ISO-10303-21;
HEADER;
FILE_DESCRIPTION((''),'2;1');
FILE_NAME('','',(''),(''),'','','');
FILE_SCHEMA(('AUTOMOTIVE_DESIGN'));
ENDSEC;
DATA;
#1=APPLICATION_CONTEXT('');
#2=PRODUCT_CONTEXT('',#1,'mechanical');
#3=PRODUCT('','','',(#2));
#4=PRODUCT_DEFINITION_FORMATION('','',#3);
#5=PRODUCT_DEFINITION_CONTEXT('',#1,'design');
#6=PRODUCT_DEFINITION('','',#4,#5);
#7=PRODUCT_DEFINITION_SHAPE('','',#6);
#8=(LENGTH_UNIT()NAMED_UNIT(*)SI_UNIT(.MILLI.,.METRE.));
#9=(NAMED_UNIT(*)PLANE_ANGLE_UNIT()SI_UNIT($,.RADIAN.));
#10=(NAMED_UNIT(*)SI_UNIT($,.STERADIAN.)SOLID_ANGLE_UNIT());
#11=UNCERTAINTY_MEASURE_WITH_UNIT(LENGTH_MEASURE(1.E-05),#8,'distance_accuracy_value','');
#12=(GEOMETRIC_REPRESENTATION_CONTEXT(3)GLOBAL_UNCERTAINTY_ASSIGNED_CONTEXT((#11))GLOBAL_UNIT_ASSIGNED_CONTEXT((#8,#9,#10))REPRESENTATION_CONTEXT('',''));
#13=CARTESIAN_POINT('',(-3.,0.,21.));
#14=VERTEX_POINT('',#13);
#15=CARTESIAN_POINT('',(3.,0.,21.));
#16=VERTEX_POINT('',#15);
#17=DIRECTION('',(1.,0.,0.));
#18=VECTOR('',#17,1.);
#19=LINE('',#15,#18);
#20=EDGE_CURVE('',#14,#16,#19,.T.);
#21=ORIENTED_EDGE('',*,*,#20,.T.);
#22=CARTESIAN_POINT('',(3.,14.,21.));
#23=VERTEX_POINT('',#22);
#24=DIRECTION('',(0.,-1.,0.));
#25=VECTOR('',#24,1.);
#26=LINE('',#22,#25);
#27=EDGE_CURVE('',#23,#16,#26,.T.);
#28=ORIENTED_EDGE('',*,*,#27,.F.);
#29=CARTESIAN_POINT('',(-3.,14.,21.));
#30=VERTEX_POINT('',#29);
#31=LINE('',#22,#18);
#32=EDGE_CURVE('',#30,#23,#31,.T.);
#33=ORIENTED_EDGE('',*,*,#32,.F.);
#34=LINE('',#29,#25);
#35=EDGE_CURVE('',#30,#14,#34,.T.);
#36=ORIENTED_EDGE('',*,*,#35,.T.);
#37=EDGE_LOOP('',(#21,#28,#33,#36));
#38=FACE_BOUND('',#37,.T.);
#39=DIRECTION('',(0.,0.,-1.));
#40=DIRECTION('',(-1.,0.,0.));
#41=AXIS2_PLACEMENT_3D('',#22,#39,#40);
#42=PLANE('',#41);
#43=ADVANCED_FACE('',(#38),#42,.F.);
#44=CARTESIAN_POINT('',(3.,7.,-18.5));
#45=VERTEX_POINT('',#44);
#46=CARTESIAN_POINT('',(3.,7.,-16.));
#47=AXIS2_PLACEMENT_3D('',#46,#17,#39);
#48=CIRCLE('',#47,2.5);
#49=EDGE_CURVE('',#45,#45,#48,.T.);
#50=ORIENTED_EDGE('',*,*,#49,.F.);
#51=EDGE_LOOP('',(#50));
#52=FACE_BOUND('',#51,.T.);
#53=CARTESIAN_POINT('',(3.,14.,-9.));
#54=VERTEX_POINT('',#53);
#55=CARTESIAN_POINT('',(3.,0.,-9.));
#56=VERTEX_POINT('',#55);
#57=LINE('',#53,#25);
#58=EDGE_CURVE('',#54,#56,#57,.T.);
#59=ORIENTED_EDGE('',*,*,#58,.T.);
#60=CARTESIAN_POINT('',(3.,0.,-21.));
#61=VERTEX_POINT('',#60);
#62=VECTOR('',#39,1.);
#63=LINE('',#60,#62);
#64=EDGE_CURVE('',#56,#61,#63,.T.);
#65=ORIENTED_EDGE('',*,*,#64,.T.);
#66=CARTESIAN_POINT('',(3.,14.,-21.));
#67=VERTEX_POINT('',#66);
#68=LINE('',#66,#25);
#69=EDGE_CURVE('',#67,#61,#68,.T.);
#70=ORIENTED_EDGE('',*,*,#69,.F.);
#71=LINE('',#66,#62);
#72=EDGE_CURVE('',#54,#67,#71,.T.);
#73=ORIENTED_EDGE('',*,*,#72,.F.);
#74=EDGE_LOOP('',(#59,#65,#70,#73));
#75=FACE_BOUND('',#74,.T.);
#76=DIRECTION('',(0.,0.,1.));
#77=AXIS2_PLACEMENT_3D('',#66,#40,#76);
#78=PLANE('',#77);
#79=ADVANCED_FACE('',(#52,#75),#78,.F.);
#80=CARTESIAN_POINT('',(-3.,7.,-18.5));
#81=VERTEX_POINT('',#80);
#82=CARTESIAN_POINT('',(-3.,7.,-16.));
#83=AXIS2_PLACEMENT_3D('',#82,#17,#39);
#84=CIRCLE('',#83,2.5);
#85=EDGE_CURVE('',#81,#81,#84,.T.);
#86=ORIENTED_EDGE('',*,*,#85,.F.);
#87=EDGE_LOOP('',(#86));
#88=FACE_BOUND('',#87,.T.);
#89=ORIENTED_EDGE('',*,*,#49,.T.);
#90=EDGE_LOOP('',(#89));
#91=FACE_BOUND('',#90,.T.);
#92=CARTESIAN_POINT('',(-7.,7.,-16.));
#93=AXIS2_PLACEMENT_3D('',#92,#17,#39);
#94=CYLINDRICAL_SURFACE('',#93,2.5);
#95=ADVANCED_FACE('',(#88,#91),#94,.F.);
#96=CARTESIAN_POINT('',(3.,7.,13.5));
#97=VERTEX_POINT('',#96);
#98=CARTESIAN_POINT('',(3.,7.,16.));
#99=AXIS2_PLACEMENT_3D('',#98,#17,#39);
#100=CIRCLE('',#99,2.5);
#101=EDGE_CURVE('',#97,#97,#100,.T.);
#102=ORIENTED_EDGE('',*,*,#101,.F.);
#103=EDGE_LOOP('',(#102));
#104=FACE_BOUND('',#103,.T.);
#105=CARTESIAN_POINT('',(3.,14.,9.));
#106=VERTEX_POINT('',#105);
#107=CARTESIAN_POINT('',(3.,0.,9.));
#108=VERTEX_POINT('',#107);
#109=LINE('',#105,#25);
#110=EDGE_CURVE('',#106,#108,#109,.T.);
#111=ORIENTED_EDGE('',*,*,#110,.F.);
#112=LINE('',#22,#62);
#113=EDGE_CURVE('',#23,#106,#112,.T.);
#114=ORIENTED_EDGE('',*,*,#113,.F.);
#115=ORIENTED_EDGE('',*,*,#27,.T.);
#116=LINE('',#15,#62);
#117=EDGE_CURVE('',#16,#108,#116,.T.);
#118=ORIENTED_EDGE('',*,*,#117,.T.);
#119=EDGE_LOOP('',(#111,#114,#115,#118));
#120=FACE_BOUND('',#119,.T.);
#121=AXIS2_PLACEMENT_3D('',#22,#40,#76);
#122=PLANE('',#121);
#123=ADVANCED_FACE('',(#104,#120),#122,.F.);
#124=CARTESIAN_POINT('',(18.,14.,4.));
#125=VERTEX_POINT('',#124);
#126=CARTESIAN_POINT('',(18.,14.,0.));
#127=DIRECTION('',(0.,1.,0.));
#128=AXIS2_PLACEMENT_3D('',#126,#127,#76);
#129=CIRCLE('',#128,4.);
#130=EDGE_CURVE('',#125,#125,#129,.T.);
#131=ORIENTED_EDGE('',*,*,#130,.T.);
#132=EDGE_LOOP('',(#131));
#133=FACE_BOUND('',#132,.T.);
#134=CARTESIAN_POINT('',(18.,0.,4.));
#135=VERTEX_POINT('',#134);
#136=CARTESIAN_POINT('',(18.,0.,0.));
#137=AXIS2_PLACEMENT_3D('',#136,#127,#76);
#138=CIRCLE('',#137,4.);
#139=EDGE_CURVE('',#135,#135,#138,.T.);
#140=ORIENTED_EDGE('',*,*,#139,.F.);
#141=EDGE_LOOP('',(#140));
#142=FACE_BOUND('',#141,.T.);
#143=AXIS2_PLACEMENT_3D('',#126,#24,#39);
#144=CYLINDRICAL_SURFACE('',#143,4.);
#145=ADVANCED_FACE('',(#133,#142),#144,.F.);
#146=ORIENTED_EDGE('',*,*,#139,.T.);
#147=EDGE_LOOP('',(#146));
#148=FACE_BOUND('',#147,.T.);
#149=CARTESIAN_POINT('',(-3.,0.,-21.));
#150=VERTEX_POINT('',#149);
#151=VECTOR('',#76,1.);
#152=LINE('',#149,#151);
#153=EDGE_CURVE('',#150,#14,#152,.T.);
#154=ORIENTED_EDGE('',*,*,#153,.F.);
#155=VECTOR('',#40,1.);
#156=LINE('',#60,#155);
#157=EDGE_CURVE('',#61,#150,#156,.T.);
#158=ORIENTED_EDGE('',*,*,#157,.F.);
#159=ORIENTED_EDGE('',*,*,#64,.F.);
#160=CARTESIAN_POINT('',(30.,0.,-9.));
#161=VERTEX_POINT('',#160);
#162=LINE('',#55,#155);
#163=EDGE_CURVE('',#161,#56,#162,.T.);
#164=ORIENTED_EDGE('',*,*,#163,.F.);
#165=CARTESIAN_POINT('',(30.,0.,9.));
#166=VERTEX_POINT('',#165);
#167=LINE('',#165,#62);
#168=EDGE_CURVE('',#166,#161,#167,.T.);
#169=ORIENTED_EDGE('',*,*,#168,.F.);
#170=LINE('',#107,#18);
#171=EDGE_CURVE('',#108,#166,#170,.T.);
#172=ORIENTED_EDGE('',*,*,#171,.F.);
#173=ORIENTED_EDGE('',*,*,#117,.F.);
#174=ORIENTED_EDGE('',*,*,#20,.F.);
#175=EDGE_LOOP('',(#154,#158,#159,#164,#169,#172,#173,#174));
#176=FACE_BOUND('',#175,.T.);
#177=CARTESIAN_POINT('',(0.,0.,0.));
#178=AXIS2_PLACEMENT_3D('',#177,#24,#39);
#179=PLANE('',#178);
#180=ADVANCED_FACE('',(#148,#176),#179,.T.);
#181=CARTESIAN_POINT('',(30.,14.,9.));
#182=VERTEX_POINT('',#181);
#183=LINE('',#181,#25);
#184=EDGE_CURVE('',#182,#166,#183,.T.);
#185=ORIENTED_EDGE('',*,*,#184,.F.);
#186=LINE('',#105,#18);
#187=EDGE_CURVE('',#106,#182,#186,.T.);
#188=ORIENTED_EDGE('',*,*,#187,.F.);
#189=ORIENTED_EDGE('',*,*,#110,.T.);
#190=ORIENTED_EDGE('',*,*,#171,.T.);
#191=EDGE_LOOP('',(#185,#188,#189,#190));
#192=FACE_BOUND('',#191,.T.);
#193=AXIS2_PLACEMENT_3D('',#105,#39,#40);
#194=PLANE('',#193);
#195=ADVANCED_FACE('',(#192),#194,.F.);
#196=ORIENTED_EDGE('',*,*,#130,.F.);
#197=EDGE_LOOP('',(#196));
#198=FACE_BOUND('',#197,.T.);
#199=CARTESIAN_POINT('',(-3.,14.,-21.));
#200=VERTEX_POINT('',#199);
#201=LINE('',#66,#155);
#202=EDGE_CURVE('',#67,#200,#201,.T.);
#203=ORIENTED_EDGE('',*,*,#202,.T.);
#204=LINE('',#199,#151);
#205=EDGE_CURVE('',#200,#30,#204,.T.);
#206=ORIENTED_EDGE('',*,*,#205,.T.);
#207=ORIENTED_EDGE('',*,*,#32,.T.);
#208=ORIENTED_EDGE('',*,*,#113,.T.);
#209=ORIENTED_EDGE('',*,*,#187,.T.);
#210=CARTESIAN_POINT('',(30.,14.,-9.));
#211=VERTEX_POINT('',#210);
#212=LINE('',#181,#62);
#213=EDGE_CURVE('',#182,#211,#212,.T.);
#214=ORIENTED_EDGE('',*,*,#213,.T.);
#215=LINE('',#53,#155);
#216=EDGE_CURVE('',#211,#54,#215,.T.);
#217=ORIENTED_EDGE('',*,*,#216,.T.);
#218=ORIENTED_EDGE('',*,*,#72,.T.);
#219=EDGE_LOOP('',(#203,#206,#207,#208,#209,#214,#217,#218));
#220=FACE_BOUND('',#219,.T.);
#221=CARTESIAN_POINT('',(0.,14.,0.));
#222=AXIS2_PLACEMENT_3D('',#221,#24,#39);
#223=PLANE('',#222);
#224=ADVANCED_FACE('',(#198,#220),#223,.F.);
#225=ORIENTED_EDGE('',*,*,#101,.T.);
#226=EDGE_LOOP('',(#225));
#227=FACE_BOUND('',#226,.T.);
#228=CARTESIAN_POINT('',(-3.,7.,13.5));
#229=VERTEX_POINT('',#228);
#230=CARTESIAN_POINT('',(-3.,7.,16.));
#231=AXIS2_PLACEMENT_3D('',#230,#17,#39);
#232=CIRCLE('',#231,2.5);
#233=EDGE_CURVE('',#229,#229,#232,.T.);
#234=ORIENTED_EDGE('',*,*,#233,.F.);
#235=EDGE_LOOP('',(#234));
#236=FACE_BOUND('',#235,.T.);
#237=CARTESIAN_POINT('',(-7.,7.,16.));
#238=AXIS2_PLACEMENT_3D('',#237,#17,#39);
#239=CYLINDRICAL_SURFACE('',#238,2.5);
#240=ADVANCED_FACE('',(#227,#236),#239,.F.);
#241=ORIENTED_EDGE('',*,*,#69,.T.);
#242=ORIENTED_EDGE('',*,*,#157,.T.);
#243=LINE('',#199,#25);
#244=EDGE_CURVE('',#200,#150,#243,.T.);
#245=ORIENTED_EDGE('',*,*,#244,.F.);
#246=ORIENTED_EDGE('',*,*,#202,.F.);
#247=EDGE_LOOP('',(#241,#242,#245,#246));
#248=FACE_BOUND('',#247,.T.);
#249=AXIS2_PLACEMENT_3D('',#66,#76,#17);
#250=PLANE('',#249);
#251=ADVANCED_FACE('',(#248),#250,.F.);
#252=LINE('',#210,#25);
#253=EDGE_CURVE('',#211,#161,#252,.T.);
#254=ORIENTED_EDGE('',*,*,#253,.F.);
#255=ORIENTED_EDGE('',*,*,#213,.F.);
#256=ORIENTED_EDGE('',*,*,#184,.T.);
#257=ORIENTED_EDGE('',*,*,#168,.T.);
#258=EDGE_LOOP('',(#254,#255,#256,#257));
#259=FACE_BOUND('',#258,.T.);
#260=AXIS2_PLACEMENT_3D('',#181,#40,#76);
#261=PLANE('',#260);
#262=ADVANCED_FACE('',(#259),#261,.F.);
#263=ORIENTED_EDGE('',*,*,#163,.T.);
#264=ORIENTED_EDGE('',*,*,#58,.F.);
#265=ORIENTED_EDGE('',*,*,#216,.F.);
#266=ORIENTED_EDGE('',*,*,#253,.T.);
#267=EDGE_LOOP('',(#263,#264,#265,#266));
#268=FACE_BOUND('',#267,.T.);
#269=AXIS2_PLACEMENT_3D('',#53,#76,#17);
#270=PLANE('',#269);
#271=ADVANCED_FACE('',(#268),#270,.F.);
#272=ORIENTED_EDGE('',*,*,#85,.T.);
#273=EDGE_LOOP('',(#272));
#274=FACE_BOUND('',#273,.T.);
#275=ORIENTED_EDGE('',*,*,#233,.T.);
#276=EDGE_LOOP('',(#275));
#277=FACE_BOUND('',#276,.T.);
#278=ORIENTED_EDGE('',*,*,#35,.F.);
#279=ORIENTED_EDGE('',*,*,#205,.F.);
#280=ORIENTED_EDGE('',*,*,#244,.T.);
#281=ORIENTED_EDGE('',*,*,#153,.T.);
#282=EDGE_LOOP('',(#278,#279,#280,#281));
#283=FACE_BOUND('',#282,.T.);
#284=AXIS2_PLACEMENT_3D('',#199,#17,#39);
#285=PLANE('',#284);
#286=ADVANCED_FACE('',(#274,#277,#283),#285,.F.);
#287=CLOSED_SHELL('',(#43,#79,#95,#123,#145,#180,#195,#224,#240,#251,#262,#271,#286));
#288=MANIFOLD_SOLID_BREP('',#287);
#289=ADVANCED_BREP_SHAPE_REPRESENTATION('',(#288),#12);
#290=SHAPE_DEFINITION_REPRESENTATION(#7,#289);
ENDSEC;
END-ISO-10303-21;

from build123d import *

# Parameters (mm, degrees)
SKETCH_1_R          = 4
EXTRUDE_1_DEPTH     = 14
SKETCH_2_R          = 2.5
CUT_EXTRUDE_1_DEPTH = 10


with BuildPart() as part:
    # 草图1 → 凸台-拉伸1 (new body)
    with BuildSketch(Plane(origin=(0, 0, 0), x_dir=(1, 0, 0), z_dir=(0, 1, 0))):
        Polygon((3, -21), (3, -9), (30, -9), (30, 9), (3, 9), (3, 21), (-3, 21), (-3, -21), align=None)
        with Locations(Location((18, 0, 0), (0, 0, 270))):
            Circle(SKETCH_1_R, mode=Mode.SUBTRACT)
    extrude(amount=EXTRUDE_1_DEPTH)

    # 草图2 → 切除-拉伸1 (cut)
    with BuildSketch(Plane(origin=(3, 0, 0), x_dir=(0, 0, -1), z_dir=(1, 0, 0))):
        with Locations((-16, 7)):
            Circle(SKETCH_2_R)
        with Locations((16, 7)):
            Circle(SKETCH_2_R)
    extrude(amount=-CUT_EXTRUDE_1_DEPTH, mode=Mode.SUBTRACT)


solid = part.part
